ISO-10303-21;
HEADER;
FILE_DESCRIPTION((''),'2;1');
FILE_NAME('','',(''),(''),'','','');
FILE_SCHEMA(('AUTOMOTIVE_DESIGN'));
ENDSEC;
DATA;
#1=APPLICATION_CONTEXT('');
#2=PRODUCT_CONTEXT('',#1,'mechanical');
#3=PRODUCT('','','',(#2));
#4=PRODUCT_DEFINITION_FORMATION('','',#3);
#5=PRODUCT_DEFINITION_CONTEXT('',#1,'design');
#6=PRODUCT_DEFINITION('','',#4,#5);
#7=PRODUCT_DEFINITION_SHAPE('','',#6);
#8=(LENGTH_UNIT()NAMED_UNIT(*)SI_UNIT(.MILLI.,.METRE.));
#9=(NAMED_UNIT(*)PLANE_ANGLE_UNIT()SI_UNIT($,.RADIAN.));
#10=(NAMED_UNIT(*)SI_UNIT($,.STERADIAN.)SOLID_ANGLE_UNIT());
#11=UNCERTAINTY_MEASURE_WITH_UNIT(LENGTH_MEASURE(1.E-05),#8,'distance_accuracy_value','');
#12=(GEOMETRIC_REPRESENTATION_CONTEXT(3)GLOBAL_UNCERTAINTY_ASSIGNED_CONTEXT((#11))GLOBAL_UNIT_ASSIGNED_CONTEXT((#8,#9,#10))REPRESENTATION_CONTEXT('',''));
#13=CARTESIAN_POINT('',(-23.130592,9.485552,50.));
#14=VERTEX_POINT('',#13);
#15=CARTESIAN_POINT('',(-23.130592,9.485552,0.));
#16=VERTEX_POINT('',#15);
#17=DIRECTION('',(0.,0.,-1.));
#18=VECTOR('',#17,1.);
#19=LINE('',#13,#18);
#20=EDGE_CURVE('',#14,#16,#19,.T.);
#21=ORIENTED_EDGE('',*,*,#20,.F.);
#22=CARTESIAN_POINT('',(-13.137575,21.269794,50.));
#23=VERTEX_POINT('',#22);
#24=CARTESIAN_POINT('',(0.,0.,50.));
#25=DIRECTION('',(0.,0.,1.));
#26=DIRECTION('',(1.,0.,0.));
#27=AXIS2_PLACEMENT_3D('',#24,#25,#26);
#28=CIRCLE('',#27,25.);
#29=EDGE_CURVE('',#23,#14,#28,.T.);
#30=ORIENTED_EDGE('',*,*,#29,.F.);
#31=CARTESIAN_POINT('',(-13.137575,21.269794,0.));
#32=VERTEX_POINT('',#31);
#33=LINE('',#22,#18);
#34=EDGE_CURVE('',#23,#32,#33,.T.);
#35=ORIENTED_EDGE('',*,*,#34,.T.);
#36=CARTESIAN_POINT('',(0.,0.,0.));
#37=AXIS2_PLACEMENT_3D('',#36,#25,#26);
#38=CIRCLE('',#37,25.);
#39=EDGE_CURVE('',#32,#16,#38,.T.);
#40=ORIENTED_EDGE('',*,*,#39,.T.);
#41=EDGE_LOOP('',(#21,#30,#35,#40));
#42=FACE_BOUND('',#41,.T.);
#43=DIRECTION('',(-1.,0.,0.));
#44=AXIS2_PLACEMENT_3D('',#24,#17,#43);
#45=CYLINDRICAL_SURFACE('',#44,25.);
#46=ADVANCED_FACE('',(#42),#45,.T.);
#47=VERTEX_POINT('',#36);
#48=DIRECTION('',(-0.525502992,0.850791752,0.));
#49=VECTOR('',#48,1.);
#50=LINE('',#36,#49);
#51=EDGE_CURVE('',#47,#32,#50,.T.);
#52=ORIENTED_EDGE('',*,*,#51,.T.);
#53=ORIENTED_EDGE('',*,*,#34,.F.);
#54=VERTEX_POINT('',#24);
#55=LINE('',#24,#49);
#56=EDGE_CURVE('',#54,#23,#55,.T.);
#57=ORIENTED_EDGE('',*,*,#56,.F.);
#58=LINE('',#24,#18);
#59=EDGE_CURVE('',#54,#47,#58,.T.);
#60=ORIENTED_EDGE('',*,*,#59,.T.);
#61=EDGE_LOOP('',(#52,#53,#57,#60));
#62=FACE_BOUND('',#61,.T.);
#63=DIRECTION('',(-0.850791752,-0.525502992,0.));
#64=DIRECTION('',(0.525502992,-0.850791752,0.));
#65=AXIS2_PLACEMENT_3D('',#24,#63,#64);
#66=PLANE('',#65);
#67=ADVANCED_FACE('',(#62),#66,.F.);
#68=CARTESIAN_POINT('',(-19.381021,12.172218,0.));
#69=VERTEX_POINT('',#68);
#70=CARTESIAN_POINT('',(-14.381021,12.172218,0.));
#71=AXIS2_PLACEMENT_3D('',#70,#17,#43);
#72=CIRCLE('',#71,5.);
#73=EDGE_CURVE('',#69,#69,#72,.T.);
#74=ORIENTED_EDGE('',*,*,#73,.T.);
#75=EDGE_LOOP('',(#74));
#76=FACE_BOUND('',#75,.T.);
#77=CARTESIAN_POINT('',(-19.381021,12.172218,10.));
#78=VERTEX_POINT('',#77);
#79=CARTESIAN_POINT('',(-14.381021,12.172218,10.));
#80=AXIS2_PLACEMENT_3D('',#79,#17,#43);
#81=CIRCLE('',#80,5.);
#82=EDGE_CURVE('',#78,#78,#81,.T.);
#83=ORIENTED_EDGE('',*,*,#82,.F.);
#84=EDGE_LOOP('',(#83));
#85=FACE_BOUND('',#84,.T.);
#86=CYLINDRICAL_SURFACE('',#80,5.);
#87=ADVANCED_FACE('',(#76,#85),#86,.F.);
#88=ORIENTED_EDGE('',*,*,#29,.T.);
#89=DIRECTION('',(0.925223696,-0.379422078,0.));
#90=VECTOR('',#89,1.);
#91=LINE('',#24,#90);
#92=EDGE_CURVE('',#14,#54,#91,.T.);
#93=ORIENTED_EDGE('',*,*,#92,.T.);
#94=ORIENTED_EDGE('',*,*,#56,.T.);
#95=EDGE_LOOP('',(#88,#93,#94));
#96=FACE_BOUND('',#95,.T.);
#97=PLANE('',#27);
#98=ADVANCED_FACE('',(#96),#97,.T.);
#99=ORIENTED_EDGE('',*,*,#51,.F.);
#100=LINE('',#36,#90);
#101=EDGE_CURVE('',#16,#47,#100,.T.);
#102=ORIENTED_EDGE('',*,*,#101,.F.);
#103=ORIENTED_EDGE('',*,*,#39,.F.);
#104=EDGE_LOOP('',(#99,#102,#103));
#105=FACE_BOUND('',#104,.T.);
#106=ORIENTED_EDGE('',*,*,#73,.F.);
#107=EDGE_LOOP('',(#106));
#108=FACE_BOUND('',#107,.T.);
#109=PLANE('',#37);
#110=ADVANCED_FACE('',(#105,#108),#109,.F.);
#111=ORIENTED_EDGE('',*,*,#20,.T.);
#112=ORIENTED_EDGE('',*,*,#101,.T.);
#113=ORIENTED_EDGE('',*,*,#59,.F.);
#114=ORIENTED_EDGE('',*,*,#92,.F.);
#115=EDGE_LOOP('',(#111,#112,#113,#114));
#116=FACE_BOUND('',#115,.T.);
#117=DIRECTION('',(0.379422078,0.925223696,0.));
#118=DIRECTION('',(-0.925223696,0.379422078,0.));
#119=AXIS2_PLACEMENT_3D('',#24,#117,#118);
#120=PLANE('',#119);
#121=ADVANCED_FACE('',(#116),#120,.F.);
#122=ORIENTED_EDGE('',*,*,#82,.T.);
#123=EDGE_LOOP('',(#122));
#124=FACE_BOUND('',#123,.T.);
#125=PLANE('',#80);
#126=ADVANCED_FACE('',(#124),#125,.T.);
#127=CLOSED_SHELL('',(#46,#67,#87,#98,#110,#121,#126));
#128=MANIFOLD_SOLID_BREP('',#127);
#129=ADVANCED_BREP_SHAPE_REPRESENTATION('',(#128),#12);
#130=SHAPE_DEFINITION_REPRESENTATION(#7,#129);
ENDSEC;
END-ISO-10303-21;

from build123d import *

# Parameters (mm, degrees)
SALIENTE_EXTRUIR1_DEPTH = 50
CROQUIS2_R              = 5
CORTAR_EXTRUIR1_DEPTH   = 10


with BuildPart() as part:
    # Croquis1 → Saliente-Extruir1 (new body)
    with BuildSketch(Plane.XY):
        with BuildLine():
            Line((0, 0), (-13.137574792, 21.269793807))
            ThreePointArc((-13.137574792, 21.269793807), (-19.067303867, 16.169042125), (-23.130592391, 9.485551943))
            Line((-23.130592391, 9.485551943), (0, 0))
        make_face()
    extrude(amount=SALIENTE_EXTRUIR1_DEPTH)

    # Croquis2 → Cortar-Extruir1 (cut)
    with BuildSketch(Plane(origin=(0, 0, 0), x_dir=(-1, 0, 0), z_dir=(0, 0, -1))):
        with Locations((14.38102057, 12.172217683)):
            Circle(CROQUIS2_R)
    extrude(amount=-CORTAR_EXTRUIR1_DEPTH, mode=Mode.SUBTRACT)


solid = part.part
